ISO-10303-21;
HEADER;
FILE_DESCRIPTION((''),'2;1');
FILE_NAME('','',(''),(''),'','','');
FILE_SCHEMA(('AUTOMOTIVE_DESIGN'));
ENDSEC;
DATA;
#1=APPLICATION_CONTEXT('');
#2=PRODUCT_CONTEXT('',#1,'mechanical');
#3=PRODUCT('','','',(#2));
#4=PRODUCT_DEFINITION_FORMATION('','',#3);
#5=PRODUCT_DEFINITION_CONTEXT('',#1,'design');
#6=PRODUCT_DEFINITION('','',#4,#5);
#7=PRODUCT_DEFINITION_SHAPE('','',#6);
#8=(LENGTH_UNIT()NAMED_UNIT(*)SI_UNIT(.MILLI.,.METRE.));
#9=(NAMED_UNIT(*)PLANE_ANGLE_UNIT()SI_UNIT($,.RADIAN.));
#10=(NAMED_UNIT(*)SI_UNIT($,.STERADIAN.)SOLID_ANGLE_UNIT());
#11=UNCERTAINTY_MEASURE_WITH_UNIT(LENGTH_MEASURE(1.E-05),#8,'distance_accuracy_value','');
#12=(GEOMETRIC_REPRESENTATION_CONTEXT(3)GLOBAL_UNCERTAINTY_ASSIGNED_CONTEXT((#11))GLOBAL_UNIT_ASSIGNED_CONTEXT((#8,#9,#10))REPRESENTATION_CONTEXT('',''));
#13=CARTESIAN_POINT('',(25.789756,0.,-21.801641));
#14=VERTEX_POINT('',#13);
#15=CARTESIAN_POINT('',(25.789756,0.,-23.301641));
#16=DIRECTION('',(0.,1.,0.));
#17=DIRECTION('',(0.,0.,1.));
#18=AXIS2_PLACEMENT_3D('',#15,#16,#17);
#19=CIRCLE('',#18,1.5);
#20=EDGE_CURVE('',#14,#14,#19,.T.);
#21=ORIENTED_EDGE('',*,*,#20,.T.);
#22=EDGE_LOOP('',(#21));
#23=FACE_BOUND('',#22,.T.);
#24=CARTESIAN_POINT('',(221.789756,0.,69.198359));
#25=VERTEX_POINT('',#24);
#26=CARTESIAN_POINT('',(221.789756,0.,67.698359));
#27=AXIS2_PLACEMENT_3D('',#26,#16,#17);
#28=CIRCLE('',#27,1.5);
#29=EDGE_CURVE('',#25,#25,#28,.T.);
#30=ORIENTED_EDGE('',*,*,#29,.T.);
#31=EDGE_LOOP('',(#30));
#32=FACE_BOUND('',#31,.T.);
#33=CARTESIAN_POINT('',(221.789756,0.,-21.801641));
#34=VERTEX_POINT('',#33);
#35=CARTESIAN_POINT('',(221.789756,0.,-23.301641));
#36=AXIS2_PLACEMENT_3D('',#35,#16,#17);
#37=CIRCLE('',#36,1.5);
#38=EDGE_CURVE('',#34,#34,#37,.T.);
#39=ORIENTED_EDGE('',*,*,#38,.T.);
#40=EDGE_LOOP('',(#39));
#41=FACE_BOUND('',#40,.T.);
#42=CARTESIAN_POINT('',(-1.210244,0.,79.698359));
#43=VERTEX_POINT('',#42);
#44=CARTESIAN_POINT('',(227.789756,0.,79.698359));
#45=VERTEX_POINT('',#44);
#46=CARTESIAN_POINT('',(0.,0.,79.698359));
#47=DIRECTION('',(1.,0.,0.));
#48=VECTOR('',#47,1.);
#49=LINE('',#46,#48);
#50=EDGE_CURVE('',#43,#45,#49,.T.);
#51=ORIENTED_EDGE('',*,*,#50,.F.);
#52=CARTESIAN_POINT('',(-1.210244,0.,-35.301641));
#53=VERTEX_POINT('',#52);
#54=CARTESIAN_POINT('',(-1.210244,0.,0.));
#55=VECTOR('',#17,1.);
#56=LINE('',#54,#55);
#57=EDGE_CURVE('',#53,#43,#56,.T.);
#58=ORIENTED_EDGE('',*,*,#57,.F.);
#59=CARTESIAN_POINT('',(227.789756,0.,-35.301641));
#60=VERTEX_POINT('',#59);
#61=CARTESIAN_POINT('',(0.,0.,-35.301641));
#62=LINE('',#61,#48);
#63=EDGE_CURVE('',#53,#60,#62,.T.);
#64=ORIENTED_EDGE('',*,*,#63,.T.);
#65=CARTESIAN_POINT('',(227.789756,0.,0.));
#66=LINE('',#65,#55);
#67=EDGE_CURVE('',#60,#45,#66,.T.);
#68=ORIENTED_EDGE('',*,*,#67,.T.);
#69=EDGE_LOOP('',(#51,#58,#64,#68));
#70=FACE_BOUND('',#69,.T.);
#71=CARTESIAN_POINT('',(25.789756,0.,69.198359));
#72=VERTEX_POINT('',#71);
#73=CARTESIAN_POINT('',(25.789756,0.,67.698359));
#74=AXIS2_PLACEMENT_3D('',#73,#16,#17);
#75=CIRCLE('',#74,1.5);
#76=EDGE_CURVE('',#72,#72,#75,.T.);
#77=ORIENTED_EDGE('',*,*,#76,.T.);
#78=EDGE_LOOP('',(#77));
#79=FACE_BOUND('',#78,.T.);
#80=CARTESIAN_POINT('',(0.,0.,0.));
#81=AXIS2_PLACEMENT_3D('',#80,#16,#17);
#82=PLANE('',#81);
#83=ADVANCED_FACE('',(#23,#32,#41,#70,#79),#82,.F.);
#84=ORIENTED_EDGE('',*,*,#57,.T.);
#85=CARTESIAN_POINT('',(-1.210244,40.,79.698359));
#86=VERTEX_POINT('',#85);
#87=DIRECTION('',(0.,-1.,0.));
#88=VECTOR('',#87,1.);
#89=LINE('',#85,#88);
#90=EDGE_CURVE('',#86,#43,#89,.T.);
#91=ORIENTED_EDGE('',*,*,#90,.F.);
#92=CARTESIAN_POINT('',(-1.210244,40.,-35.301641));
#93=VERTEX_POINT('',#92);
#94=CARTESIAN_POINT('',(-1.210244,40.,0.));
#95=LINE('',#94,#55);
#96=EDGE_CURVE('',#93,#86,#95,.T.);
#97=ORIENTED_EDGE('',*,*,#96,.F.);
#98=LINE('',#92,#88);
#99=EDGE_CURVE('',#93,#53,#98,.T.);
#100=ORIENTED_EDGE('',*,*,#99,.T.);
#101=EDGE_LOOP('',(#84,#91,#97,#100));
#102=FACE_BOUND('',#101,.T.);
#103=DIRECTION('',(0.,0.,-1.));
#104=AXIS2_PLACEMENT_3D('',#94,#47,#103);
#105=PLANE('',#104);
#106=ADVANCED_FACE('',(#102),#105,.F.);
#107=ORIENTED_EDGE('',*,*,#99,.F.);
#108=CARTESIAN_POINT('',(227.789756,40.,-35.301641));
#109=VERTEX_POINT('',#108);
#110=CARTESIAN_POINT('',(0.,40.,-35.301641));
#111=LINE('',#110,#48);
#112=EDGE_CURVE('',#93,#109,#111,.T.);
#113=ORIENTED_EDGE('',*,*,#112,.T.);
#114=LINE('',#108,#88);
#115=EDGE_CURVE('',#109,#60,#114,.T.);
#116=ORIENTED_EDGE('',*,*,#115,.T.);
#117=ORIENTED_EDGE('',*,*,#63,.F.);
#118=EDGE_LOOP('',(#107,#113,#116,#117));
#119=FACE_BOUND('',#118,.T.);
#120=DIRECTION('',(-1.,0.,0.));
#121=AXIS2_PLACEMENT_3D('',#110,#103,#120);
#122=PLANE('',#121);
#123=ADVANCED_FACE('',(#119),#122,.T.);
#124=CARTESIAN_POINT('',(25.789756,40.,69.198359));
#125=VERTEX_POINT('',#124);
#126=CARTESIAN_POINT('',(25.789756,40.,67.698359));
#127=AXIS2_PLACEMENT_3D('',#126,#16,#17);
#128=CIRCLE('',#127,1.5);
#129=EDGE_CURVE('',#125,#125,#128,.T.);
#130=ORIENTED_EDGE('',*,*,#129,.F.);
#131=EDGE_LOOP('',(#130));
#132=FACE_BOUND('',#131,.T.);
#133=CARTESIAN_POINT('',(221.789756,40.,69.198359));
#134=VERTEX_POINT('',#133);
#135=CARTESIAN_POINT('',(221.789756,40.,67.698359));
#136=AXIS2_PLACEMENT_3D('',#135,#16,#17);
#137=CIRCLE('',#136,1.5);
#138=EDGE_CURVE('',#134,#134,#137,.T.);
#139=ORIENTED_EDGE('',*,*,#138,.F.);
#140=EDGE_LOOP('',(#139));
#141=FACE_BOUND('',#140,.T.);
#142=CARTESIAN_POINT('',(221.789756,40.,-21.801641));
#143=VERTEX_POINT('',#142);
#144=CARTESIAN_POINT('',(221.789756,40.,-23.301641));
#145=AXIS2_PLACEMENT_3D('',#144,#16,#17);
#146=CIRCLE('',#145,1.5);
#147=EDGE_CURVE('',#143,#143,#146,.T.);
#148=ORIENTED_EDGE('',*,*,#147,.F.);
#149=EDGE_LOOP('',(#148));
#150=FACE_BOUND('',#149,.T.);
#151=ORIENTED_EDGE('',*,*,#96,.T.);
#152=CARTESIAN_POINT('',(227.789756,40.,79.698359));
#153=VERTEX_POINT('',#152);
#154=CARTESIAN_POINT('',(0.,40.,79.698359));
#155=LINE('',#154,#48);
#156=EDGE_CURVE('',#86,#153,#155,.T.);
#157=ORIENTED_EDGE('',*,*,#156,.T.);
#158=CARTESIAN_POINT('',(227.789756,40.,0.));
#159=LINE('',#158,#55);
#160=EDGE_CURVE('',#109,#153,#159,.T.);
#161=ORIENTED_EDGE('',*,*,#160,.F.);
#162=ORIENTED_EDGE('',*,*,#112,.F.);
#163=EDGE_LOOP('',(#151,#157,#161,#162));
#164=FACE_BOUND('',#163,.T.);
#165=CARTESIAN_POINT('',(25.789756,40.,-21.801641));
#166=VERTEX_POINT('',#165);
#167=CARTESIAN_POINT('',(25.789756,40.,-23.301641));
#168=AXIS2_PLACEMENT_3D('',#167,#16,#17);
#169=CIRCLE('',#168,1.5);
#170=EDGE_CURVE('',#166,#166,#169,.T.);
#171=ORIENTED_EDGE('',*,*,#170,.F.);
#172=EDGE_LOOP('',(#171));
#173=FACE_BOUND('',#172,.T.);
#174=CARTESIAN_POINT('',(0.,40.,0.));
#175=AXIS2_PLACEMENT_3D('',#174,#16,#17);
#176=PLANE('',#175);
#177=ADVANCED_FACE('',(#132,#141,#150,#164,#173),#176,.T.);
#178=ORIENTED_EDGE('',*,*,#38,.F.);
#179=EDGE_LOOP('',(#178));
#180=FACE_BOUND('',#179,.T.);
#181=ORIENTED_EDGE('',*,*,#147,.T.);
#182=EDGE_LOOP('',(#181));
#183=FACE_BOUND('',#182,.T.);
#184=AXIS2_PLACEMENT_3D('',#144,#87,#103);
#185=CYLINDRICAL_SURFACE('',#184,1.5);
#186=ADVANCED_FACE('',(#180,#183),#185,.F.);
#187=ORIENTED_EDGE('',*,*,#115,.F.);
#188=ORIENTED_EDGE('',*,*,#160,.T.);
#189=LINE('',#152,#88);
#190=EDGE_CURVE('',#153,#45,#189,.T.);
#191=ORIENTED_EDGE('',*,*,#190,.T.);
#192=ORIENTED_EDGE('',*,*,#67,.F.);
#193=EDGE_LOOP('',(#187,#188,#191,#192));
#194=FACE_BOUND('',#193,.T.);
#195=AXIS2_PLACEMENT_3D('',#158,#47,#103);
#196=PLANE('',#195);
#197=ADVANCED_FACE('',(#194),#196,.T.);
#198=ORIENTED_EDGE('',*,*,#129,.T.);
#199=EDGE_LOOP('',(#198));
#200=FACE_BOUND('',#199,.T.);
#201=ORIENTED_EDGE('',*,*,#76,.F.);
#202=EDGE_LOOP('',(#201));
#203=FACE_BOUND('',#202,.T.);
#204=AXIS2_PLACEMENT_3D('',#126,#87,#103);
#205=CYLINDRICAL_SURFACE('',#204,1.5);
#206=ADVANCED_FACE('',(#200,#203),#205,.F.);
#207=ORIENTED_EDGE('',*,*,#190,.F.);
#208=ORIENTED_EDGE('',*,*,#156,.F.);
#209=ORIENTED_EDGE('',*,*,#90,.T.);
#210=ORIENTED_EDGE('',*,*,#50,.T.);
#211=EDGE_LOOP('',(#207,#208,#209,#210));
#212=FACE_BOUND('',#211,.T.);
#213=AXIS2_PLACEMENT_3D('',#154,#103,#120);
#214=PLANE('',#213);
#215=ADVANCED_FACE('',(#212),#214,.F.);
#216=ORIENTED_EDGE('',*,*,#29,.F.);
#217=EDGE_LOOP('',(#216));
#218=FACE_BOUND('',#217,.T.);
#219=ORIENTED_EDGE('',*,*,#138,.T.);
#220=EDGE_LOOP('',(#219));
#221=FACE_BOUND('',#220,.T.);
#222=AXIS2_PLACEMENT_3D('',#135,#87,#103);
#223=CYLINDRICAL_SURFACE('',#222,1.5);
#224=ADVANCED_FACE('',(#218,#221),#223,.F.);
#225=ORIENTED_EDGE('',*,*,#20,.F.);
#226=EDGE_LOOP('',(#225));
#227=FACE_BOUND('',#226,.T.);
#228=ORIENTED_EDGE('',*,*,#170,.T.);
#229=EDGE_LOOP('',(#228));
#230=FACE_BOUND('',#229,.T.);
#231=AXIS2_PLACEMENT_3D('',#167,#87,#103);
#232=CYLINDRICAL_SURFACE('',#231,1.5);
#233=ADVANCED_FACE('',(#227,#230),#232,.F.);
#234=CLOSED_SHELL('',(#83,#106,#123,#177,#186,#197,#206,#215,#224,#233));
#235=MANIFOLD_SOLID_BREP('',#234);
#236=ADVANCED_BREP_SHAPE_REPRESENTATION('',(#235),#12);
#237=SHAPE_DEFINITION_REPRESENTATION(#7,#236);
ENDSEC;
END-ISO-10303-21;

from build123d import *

# Parameters (mm, degrees)
SKETCH_1_W      = 229
SKETCH_1_H      = 115
SKETCH_1_R      = 1.5
EXTRUDE_1_DEPTH = 40


with BuildPart() as part:
    # 草图1 → 凸台-拉伸1 (new body)
    with BuildSketch(Plane(origin=(0, 0, 0), x_dir=(1, 0, 0), z_dir=(0, 1, 0))):
        with Locations((113.28975623, -22.19835875)):
            Rectangle(SKETCH_1_W, SKETCH_1_H)
        with Locations(Location((25.78975623, 23.30164125, 0), (0, 0, 270))):
            Circle(SKETCH_1_R, mode=Mode.SUBTRACT)
        with Locations(Location((25.78975623, -67.69835875, 0), (0, 0, 270))):
            Circle(SKETCH_1_R, mode=Mode.SUBTRACT)
        with Locations(Location((221.78975623, 23.30164125, 0), (0, 0, 270))):
            Circle(SKETCH_1_R, mode=Mode.SUBTRACT)
        with Locations(Location((221.78975623, -67.69835875, 0), (0, 0, 270))):
            Circle(SKETCH_1_R, mode=Mode.SUBTRACT)
    extrude(amount=EXTRUDE_1_DEPTH)


solid = part.part
